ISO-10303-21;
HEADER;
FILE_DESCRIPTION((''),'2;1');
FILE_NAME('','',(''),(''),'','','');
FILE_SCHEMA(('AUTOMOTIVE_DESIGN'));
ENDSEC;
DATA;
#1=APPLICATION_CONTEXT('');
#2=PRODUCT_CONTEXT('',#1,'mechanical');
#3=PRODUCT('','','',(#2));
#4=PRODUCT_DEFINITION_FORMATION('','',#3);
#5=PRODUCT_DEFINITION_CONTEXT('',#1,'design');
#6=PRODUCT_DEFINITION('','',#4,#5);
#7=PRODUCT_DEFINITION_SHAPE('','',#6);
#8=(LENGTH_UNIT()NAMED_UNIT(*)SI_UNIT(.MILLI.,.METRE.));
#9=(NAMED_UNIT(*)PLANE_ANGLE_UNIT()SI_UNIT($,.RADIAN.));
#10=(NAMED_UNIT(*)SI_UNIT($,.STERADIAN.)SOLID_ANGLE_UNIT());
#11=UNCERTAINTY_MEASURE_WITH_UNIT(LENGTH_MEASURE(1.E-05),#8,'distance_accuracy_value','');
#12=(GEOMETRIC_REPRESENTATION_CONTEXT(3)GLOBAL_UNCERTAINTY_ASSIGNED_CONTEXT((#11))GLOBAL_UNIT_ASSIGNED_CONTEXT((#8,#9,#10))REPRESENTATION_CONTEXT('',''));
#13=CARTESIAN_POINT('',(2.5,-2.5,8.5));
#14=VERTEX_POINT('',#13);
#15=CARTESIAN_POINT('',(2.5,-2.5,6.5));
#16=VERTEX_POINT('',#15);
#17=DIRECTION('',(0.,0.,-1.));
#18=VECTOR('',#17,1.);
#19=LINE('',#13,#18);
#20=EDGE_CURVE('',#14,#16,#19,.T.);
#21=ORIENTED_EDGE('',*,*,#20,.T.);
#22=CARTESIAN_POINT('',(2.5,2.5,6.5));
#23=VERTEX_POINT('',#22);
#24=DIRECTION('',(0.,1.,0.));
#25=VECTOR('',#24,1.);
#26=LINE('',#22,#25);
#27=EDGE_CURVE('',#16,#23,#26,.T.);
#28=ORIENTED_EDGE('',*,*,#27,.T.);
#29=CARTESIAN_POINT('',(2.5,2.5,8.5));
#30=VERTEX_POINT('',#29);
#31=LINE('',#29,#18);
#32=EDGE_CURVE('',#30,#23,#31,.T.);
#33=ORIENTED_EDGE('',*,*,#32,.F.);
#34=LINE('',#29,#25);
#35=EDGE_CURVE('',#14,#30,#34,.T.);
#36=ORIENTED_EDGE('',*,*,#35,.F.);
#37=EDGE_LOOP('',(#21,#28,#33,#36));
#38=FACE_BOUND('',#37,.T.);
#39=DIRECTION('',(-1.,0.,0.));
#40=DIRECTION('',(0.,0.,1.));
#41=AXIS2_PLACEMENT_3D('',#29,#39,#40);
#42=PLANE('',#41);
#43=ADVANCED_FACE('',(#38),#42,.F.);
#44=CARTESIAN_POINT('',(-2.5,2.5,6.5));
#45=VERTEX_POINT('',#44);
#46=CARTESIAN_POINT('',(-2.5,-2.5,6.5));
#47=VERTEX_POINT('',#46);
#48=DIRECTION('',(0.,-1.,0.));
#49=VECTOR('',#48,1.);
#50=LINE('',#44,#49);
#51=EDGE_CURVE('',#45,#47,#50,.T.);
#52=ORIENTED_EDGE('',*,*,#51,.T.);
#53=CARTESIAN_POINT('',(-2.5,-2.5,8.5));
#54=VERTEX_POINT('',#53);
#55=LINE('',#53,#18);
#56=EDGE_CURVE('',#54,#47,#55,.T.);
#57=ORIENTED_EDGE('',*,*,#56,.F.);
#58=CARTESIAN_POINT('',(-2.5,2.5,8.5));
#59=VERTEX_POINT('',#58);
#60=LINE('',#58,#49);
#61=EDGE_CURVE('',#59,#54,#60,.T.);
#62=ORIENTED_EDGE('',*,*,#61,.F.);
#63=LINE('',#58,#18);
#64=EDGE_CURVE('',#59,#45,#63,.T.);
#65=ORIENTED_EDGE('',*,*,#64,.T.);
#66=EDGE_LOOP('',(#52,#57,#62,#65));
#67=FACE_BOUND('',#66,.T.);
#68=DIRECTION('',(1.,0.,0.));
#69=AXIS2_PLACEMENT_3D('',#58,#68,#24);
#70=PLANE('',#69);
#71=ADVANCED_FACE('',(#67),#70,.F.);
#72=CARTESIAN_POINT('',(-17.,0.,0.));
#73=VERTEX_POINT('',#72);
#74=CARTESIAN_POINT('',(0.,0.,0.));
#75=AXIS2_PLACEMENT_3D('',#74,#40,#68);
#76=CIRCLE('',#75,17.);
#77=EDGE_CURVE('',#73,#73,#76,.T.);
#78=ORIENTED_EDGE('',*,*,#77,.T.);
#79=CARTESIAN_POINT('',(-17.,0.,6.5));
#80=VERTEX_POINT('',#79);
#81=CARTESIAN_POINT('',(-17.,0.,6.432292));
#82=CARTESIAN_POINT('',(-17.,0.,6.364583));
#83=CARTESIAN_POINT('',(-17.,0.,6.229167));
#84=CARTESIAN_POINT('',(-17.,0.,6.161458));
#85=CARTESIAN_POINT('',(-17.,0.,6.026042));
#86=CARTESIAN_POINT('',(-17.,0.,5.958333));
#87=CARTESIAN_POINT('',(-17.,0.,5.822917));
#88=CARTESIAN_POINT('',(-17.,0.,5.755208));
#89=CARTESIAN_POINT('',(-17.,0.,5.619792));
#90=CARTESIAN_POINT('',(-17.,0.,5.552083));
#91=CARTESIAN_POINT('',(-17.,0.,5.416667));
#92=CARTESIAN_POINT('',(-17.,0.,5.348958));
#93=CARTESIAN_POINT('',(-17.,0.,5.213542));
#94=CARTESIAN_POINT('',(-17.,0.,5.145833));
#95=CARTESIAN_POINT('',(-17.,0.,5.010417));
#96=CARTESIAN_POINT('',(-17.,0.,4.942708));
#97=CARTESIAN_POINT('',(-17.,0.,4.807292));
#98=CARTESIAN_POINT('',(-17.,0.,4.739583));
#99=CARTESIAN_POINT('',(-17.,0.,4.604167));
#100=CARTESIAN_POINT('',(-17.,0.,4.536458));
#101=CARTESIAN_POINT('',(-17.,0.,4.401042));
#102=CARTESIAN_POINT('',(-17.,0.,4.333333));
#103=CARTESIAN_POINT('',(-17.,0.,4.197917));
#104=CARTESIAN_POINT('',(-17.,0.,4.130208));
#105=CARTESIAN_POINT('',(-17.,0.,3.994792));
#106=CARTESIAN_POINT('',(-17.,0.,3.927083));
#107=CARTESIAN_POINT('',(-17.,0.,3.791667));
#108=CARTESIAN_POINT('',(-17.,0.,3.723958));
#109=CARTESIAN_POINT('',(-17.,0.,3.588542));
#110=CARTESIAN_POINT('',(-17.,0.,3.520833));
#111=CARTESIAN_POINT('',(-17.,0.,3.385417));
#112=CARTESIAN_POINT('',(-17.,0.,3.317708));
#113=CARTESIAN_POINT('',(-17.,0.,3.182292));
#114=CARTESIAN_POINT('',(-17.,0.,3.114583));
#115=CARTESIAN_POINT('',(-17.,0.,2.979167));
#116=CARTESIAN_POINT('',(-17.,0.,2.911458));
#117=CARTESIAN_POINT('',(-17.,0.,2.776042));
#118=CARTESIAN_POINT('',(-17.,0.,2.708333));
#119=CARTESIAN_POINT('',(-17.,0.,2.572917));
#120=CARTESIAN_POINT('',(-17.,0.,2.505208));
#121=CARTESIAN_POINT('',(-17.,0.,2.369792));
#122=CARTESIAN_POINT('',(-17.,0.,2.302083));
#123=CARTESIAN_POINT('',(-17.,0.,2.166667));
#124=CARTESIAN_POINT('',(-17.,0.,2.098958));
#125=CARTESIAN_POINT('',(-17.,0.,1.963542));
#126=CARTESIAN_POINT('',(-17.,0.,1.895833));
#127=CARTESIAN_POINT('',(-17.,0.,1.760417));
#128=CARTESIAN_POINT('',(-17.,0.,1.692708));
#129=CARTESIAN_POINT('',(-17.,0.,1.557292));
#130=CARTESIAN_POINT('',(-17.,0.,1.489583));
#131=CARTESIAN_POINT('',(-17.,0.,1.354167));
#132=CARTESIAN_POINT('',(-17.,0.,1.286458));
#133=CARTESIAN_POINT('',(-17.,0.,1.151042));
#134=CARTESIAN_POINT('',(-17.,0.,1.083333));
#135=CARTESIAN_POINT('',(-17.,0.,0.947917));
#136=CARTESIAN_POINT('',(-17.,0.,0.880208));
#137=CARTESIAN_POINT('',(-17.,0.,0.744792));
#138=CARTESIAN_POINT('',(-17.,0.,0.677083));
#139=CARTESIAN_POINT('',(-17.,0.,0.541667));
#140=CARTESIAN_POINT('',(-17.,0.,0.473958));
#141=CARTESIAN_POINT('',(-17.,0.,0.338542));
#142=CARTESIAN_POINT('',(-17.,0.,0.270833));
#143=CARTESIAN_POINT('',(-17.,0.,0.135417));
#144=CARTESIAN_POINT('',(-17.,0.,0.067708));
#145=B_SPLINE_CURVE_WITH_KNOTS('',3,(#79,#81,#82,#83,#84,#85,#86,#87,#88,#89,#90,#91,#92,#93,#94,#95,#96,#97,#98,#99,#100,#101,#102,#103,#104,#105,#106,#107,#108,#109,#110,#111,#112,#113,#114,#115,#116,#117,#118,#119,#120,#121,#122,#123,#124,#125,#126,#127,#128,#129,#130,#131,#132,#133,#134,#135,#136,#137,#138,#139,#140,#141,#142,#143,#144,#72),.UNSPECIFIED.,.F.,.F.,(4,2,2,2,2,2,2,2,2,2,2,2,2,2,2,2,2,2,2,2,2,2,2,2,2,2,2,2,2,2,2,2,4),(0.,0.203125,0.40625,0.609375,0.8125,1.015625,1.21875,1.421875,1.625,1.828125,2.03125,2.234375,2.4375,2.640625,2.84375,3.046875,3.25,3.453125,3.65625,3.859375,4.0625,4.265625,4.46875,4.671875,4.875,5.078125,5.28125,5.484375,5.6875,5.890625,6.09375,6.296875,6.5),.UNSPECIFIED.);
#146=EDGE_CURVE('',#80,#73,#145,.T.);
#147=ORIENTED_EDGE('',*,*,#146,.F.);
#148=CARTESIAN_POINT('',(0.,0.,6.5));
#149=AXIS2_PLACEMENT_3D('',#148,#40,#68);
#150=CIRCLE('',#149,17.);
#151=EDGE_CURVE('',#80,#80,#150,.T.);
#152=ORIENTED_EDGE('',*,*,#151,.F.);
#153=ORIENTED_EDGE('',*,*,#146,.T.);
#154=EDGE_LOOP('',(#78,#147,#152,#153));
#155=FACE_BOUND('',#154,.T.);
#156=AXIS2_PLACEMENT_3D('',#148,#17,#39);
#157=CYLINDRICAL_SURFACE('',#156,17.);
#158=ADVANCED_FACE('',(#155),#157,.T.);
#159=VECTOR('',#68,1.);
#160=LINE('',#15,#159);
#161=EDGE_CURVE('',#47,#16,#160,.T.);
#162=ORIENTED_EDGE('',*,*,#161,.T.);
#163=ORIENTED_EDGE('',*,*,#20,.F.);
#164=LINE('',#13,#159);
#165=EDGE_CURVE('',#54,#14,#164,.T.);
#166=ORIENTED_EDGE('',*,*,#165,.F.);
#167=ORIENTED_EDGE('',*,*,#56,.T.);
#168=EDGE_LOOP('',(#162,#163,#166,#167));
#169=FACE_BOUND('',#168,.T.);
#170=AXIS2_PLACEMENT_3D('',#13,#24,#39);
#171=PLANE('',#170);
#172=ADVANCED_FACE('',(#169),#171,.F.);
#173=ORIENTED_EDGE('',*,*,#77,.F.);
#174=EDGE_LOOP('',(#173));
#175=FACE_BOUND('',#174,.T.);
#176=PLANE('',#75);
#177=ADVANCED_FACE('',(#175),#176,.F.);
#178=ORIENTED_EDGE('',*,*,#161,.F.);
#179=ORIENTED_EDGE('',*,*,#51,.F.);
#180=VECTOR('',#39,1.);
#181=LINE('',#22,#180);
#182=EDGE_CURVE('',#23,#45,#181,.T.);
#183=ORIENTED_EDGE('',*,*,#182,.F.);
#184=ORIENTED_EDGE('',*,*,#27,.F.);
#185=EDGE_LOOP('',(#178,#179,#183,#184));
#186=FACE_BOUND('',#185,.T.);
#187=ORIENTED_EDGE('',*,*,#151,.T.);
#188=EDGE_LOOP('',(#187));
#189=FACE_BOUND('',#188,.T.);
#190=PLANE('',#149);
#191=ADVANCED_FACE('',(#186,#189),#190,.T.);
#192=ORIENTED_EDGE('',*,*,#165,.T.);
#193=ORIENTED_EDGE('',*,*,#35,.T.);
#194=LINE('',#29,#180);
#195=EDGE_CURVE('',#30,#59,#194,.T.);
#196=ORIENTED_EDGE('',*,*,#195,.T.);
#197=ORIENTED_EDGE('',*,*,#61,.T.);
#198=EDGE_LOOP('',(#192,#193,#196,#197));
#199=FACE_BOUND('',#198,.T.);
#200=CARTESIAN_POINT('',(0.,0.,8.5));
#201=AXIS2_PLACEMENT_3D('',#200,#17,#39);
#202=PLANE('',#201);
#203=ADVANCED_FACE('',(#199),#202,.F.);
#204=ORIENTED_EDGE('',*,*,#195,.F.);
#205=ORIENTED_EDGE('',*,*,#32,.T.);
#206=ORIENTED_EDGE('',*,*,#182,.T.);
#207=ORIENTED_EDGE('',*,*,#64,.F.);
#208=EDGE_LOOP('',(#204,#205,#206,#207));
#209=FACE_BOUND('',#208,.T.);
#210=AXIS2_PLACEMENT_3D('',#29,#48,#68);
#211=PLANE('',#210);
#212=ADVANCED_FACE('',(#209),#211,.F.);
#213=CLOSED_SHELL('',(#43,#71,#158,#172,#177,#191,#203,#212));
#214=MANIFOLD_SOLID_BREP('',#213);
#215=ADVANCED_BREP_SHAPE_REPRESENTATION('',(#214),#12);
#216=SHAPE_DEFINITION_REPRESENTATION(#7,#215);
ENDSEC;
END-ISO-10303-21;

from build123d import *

# Parameters (mm, degrees)
SKETCH1_R           = 17
BOSS_EXTRUDE1_DEPTH = 6.5
SKETCH2_W           = 5
SKETCH2_H           = 5
BOSS_EXTRUDE2_DEPTH = 2


with BuildPart() as part:
    # Sketch1 → Boss-Extrude1 (new body)
    with BuildSketch(Plane.XY):
        with Locations(Location((0, 0, 0), (0, 0, 180))):
            Circle(SKETCH1_R)
    extrude(amount=BOSS_EXTRUDE1_DEPTH)

    # Sketch2 → Boss-Extrude2 (add)
    with BuildSketch(Plane.XY.offset(6.5)):
        Rectangle(SKETCH2_W, SKETCH2_H)
    extrude(amount=BOSS_EXTRUDE2_DEPTH)


solid = part.part
